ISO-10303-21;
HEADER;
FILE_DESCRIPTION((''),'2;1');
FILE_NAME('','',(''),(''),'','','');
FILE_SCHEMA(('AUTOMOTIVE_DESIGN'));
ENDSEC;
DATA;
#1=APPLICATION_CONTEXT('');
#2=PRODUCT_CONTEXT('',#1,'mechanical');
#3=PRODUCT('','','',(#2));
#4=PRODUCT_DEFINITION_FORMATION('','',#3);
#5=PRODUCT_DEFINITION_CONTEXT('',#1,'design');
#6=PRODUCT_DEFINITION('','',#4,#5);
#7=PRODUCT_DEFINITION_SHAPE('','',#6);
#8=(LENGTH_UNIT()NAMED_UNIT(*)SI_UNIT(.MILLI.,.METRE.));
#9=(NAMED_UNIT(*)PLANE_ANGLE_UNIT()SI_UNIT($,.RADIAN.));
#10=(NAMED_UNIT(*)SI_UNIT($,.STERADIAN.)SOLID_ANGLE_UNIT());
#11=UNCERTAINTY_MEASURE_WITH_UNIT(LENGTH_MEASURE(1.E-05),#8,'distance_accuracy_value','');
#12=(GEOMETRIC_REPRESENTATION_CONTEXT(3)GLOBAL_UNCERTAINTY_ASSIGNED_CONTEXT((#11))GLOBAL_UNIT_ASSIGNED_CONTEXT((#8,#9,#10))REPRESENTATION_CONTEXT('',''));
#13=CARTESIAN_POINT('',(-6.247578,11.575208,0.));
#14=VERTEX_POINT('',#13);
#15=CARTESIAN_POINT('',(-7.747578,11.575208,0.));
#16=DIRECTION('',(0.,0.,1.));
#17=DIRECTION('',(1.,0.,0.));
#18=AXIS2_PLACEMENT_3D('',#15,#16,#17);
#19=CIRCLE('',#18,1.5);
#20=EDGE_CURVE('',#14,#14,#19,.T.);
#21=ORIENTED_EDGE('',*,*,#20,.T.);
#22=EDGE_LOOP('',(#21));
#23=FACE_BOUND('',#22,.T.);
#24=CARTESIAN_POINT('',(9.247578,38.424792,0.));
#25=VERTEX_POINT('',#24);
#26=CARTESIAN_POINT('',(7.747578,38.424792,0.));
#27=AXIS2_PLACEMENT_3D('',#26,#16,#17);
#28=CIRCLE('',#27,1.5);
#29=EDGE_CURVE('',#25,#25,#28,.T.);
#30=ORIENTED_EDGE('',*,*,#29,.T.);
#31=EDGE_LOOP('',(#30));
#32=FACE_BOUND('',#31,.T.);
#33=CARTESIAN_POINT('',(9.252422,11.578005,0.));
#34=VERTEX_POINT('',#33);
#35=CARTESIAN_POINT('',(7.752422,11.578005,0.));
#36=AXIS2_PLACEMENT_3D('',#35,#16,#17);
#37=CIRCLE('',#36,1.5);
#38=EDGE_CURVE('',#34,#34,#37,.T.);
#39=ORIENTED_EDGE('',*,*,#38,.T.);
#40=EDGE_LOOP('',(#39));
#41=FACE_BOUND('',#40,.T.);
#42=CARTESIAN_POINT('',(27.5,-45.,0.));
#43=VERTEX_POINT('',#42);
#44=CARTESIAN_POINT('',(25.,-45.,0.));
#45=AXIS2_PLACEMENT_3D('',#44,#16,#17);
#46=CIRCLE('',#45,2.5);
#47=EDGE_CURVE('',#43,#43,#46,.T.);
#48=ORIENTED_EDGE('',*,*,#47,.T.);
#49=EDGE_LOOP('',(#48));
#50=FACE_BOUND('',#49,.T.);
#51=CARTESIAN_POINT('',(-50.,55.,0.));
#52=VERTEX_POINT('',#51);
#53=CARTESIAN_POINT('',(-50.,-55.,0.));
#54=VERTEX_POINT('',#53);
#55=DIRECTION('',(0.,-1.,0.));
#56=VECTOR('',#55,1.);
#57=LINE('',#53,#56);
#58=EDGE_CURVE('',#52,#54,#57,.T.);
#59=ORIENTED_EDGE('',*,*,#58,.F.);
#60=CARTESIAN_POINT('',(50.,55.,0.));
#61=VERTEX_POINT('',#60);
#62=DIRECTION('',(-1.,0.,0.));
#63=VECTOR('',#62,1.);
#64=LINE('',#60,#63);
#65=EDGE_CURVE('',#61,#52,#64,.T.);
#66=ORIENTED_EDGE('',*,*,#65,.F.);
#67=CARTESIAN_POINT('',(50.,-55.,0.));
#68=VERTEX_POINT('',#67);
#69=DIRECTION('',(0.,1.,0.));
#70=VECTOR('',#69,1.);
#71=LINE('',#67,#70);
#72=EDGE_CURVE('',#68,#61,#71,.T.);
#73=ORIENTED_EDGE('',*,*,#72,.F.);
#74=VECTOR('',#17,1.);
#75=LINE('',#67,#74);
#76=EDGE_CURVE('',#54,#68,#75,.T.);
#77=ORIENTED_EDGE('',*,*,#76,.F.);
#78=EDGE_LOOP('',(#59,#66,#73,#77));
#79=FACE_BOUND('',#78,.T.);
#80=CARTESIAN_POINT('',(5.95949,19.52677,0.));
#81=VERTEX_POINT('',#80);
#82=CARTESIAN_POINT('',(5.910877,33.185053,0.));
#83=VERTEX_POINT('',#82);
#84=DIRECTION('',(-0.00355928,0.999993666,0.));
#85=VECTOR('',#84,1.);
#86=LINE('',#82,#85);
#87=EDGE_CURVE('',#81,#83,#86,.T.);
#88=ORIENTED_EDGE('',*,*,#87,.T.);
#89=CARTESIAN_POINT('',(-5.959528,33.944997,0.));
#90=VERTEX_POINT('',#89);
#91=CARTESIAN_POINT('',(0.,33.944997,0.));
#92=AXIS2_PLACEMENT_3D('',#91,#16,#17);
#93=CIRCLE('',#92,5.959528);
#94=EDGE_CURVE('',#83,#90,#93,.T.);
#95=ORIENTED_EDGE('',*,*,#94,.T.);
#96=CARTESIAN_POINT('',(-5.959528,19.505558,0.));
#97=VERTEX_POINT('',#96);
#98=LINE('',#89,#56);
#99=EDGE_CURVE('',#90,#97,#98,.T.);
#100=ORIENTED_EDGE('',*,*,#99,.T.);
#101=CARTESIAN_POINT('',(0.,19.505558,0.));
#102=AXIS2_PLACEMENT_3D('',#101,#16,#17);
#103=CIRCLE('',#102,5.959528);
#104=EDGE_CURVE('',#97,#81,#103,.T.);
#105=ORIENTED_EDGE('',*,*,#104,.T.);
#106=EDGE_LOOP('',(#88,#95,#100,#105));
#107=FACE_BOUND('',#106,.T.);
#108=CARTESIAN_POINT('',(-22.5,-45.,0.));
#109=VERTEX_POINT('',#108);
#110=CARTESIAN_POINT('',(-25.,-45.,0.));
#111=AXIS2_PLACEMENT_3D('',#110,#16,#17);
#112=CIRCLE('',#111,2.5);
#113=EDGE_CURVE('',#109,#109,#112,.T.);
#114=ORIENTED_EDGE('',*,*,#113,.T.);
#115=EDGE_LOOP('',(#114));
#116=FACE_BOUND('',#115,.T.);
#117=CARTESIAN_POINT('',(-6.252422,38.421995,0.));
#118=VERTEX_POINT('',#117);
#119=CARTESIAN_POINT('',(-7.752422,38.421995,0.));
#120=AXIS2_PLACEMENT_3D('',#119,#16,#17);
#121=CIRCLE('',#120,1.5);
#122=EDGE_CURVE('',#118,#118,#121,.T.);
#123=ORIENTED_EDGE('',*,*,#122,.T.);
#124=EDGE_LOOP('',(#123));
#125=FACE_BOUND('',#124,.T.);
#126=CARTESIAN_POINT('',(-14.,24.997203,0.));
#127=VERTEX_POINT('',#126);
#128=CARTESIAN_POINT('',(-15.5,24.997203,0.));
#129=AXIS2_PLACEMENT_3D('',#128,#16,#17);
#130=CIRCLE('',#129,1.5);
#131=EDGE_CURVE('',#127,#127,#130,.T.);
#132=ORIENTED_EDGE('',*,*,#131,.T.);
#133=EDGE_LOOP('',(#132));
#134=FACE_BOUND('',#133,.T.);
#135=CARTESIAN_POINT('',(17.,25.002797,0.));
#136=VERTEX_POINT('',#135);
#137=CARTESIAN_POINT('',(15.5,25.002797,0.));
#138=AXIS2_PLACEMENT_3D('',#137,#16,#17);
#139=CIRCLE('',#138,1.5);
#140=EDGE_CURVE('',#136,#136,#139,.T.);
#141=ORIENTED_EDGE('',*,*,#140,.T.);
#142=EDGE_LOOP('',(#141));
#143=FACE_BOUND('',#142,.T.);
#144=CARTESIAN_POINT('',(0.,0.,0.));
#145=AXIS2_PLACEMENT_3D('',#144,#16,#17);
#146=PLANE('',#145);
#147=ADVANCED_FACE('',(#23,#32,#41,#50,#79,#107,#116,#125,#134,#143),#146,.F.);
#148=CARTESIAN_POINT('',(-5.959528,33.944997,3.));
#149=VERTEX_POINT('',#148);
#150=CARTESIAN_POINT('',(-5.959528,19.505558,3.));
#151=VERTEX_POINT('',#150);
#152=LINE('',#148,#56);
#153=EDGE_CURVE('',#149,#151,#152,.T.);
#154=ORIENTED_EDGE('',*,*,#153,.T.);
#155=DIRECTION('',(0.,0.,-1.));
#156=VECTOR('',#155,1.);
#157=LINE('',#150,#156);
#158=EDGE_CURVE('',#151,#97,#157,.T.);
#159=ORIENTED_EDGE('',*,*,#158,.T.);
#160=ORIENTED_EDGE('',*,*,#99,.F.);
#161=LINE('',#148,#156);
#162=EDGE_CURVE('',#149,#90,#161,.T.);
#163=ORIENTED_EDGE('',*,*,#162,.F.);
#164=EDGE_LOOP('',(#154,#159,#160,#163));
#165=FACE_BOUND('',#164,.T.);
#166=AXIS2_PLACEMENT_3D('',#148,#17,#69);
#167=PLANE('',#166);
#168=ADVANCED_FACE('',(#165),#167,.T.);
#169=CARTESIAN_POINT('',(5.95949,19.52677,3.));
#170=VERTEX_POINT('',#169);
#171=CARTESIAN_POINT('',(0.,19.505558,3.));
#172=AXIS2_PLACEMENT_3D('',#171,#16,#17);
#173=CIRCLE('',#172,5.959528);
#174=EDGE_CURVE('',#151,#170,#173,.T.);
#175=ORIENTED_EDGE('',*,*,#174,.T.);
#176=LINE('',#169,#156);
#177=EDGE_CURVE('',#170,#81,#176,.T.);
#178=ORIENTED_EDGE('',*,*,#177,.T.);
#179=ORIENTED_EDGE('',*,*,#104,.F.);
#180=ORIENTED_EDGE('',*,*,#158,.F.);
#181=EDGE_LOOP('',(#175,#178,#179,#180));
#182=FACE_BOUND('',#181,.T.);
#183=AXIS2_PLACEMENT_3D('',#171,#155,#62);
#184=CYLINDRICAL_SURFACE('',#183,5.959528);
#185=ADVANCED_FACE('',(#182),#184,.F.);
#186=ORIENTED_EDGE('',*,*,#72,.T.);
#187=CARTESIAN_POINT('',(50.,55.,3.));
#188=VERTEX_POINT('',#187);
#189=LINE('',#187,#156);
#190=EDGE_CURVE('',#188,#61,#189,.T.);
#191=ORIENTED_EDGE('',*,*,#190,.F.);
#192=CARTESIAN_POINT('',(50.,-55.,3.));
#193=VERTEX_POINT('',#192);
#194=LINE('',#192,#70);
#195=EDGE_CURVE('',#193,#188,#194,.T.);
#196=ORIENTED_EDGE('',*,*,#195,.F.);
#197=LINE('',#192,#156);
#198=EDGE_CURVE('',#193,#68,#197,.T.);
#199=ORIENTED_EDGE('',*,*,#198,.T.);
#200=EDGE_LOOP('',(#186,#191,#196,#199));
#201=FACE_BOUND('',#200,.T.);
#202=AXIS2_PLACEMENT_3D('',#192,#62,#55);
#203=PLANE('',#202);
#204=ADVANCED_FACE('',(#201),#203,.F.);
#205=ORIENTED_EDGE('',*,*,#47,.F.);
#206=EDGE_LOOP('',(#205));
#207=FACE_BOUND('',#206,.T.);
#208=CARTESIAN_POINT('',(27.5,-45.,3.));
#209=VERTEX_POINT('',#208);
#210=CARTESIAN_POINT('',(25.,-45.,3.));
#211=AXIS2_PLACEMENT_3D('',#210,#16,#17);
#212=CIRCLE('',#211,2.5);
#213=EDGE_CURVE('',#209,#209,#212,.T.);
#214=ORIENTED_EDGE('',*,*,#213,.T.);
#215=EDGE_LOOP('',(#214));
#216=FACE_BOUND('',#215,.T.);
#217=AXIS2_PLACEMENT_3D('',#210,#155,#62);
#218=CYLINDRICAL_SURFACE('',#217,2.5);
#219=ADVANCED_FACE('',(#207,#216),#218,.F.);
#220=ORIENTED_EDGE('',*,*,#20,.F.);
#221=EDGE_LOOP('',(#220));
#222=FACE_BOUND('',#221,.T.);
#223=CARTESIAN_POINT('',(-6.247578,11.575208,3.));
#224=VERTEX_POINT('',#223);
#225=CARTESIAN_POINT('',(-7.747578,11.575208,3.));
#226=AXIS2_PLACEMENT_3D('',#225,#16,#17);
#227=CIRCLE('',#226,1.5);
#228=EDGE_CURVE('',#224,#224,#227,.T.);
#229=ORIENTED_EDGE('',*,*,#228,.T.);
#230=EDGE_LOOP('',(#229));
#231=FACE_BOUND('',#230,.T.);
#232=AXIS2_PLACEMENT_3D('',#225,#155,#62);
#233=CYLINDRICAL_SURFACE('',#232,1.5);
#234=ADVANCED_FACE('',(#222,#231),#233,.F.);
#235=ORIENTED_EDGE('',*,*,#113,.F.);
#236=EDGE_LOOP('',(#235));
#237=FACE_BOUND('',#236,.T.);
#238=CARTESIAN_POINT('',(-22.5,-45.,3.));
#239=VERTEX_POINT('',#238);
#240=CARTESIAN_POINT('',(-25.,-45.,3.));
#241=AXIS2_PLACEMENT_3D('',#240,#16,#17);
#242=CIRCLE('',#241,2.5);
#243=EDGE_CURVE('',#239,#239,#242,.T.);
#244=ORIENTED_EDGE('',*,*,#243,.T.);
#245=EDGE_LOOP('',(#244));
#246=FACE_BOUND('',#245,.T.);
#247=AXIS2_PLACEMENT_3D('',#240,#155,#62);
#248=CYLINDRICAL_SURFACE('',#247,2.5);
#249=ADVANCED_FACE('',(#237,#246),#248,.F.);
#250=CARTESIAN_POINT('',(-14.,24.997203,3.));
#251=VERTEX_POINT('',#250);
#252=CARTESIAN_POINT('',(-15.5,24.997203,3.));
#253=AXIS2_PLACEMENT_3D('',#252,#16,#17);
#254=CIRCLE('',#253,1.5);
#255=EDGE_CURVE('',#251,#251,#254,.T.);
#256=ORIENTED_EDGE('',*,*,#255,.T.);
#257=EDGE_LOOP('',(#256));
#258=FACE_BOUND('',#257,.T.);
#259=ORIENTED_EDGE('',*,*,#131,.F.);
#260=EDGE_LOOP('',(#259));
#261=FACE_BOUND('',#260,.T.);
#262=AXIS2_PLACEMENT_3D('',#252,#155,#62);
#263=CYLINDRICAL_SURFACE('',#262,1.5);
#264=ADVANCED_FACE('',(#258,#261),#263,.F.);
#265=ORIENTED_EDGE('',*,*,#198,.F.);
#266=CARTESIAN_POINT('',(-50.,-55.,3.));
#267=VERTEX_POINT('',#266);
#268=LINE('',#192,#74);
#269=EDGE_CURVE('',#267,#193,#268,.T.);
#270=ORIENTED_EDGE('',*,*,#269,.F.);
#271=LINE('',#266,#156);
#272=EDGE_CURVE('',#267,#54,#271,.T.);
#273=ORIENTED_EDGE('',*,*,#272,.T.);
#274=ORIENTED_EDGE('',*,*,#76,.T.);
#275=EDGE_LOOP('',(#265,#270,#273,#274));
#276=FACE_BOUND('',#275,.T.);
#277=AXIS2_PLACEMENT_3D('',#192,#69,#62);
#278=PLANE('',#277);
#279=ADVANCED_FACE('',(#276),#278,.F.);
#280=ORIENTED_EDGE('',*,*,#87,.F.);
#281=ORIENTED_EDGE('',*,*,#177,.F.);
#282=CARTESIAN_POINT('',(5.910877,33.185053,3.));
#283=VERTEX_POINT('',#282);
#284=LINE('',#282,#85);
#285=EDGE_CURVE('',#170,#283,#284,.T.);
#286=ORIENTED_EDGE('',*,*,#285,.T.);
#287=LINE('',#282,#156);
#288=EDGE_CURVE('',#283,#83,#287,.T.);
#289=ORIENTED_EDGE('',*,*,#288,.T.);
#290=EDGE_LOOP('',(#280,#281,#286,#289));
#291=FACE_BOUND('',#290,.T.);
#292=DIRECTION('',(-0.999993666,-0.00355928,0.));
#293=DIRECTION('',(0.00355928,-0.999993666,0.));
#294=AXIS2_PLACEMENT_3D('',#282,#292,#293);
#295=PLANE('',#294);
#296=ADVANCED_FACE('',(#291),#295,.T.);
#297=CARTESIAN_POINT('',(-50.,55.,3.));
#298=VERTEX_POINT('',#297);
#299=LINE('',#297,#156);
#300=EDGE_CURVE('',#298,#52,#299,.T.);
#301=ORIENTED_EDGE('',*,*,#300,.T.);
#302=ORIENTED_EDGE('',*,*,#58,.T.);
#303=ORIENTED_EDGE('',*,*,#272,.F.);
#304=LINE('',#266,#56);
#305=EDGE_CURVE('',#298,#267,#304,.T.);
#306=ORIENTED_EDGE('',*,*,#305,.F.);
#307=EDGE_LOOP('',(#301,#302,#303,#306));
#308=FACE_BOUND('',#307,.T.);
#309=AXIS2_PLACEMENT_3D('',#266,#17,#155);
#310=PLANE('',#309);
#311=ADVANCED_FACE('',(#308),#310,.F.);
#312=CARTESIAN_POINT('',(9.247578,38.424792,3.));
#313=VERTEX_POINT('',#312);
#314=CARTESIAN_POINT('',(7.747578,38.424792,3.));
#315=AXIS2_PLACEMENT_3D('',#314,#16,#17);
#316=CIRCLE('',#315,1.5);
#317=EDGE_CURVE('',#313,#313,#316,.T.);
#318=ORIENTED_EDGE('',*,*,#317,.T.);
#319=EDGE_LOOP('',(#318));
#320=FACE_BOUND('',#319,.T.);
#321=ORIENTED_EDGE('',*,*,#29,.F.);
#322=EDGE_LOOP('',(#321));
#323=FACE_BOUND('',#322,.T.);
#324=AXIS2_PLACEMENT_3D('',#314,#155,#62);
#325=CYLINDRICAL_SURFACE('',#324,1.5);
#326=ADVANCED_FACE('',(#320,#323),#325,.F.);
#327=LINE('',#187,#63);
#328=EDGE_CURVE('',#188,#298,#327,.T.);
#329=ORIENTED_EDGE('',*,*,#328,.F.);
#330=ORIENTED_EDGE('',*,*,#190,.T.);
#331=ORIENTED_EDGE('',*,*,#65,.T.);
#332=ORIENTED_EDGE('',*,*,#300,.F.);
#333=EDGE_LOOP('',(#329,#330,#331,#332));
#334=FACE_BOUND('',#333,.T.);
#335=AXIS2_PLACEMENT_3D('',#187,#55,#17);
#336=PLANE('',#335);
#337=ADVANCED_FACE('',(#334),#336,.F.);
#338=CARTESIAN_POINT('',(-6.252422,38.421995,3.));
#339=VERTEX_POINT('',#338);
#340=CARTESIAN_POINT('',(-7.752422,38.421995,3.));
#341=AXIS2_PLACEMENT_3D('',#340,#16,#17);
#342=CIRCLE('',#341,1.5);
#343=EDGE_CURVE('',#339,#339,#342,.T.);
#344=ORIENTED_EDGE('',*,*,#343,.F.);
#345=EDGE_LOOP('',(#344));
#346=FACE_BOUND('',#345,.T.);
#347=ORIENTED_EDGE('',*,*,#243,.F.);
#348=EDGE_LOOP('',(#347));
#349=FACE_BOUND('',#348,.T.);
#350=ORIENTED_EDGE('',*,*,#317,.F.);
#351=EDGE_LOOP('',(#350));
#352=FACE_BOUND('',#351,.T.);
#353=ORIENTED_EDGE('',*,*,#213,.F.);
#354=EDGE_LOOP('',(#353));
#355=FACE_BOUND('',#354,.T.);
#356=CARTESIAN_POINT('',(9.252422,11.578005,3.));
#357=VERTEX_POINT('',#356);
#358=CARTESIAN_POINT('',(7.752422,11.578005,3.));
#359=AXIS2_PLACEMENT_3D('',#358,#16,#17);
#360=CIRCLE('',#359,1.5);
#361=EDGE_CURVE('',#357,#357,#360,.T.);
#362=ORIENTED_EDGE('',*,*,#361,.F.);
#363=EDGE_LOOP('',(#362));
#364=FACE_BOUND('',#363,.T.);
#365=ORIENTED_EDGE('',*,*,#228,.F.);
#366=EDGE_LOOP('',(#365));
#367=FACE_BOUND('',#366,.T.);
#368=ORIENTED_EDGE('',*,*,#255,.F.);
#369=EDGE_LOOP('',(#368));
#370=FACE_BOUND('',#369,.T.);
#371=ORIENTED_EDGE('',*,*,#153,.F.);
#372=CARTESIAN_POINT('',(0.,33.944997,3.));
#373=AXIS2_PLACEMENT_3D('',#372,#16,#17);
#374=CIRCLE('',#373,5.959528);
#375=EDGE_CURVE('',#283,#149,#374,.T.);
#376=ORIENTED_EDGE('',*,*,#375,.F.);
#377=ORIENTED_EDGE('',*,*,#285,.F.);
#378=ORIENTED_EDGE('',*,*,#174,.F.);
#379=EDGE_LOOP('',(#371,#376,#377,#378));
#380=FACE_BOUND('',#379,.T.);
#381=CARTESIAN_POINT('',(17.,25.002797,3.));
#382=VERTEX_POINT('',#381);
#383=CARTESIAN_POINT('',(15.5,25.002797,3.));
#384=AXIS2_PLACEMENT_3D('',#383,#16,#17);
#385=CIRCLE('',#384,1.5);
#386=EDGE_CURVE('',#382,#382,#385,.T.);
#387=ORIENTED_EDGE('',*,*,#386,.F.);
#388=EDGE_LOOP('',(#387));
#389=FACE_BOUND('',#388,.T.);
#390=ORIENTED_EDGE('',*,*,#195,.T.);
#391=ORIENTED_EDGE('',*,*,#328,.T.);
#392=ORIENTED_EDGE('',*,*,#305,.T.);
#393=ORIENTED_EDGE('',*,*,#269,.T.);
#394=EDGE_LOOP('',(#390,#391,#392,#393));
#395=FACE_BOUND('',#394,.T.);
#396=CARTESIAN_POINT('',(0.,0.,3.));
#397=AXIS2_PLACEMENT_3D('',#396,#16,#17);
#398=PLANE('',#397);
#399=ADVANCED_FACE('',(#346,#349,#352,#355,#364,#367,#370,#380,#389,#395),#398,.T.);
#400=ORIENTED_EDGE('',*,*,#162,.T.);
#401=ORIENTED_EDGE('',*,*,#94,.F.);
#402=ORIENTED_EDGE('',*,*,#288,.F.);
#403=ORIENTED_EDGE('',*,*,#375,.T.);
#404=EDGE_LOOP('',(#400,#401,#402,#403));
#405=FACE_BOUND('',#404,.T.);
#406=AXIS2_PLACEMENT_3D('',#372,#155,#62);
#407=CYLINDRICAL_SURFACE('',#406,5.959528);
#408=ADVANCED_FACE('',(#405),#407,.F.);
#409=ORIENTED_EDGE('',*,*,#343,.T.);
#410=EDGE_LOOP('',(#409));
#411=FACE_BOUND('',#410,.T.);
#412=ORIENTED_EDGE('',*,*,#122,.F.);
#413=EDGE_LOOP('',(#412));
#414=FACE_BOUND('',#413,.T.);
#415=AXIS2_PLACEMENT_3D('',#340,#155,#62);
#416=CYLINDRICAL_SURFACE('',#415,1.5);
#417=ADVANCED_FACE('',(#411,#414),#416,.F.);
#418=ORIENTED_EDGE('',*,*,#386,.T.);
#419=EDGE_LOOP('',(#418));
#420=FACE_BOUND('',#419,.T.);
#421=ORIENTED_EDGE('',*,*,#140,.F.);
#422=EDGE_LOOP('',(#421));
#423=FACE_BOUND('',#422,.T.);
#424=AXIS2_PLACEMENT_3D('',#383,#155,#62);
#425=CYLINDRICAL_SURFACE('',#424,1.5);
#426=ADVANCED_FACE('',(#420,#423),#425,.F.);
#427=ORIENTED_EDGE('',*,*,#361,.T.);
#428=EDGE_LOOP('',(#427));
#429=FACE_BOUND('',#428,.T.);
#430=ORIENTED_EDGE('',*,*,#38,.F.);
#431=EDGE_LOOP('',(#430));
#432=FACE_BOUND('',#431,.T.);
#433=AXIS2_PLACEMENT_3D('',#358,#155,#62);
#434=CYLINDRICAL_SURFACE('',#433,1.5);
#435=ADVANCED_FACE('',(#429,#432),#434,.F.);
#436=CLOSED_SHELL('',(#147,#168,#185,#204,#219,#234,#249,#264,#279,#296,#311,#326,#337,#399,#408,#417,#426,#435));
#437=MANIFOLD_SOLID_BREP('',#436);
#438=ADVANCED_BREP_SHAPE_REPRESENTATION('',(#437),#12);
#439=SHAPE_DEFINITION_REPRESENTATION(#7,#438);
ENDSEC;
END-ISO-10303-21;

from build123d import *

# Parameters (mm, degrees)
SKETCH1_W           = 100
SKETCH1_H           = 110
SKETCH1_R           = 2.5
SKETCH1_R_2         = 1.5
BOSS_EXTRUDE1_DEPTH = 3


with BuildPart() as part:
    # Sketch1 → Boss-Extrude1 (new body)
    with BuildSketch(Plane.XY):
        Rectangle(SKETCH1_W, SKETCH1_H)
        with Locations((-25, -45)):
            Circle(SKETCH1_R, mode=Mode.SUBTRACT)
        with Locations((25, -45)):
            Circle(SKETCH1_R, mode=Mode.SUBTRACT)
        with Locations((-15.5, 24.997203367)):
            Circle(SKETCH1_R_2, mode=Mode.SUBTRACT)
        with Locations((-7.752421955, 38.421995442)):
            Circle(SKETCH1_R_2, mode=Mode.SUBTRACT)
        with Locations((7.747578045, 38.424792075)):
            Circle(SKETCH1_R_2, mode=Mode.SUBTRACT)
        with Locations((15.5, 25.002796633)):
            Circle(SKETCH1_R_2, mode=Mode.SUBTRACT)
        with Locations((7.752421955, 11.578004558)):
            Circle(SKETCH1_R_2, mode=Mode.SUBTRACT)
        with Locations((-7.747578045, 11.575207925)):
            Circle(SKETCH1_R_2, mode=Mode.SUBTRACT)
        with BuildLine():
            Line((5.910876507, 33.185052569), (5.959490464, 19.526769566))
            ThreePointArc((5.959490464, 19.526769566), (0.010605831, 13.546039163), (-5.959528213, 19.505557938))
            Line((-5.959528213, 19.505557938), (-5.959528213, 33.944996934))
            ThreePointArc((-5.959528213, 33.944996934), (0.380750058, 39.892349783), (5.910876507, 33.185052569))
        make_face(mode=Mode.SUBTRACT)
    extrude(amount=BOSS_EXTRUDE1_DEPTH)


solid = part.part
